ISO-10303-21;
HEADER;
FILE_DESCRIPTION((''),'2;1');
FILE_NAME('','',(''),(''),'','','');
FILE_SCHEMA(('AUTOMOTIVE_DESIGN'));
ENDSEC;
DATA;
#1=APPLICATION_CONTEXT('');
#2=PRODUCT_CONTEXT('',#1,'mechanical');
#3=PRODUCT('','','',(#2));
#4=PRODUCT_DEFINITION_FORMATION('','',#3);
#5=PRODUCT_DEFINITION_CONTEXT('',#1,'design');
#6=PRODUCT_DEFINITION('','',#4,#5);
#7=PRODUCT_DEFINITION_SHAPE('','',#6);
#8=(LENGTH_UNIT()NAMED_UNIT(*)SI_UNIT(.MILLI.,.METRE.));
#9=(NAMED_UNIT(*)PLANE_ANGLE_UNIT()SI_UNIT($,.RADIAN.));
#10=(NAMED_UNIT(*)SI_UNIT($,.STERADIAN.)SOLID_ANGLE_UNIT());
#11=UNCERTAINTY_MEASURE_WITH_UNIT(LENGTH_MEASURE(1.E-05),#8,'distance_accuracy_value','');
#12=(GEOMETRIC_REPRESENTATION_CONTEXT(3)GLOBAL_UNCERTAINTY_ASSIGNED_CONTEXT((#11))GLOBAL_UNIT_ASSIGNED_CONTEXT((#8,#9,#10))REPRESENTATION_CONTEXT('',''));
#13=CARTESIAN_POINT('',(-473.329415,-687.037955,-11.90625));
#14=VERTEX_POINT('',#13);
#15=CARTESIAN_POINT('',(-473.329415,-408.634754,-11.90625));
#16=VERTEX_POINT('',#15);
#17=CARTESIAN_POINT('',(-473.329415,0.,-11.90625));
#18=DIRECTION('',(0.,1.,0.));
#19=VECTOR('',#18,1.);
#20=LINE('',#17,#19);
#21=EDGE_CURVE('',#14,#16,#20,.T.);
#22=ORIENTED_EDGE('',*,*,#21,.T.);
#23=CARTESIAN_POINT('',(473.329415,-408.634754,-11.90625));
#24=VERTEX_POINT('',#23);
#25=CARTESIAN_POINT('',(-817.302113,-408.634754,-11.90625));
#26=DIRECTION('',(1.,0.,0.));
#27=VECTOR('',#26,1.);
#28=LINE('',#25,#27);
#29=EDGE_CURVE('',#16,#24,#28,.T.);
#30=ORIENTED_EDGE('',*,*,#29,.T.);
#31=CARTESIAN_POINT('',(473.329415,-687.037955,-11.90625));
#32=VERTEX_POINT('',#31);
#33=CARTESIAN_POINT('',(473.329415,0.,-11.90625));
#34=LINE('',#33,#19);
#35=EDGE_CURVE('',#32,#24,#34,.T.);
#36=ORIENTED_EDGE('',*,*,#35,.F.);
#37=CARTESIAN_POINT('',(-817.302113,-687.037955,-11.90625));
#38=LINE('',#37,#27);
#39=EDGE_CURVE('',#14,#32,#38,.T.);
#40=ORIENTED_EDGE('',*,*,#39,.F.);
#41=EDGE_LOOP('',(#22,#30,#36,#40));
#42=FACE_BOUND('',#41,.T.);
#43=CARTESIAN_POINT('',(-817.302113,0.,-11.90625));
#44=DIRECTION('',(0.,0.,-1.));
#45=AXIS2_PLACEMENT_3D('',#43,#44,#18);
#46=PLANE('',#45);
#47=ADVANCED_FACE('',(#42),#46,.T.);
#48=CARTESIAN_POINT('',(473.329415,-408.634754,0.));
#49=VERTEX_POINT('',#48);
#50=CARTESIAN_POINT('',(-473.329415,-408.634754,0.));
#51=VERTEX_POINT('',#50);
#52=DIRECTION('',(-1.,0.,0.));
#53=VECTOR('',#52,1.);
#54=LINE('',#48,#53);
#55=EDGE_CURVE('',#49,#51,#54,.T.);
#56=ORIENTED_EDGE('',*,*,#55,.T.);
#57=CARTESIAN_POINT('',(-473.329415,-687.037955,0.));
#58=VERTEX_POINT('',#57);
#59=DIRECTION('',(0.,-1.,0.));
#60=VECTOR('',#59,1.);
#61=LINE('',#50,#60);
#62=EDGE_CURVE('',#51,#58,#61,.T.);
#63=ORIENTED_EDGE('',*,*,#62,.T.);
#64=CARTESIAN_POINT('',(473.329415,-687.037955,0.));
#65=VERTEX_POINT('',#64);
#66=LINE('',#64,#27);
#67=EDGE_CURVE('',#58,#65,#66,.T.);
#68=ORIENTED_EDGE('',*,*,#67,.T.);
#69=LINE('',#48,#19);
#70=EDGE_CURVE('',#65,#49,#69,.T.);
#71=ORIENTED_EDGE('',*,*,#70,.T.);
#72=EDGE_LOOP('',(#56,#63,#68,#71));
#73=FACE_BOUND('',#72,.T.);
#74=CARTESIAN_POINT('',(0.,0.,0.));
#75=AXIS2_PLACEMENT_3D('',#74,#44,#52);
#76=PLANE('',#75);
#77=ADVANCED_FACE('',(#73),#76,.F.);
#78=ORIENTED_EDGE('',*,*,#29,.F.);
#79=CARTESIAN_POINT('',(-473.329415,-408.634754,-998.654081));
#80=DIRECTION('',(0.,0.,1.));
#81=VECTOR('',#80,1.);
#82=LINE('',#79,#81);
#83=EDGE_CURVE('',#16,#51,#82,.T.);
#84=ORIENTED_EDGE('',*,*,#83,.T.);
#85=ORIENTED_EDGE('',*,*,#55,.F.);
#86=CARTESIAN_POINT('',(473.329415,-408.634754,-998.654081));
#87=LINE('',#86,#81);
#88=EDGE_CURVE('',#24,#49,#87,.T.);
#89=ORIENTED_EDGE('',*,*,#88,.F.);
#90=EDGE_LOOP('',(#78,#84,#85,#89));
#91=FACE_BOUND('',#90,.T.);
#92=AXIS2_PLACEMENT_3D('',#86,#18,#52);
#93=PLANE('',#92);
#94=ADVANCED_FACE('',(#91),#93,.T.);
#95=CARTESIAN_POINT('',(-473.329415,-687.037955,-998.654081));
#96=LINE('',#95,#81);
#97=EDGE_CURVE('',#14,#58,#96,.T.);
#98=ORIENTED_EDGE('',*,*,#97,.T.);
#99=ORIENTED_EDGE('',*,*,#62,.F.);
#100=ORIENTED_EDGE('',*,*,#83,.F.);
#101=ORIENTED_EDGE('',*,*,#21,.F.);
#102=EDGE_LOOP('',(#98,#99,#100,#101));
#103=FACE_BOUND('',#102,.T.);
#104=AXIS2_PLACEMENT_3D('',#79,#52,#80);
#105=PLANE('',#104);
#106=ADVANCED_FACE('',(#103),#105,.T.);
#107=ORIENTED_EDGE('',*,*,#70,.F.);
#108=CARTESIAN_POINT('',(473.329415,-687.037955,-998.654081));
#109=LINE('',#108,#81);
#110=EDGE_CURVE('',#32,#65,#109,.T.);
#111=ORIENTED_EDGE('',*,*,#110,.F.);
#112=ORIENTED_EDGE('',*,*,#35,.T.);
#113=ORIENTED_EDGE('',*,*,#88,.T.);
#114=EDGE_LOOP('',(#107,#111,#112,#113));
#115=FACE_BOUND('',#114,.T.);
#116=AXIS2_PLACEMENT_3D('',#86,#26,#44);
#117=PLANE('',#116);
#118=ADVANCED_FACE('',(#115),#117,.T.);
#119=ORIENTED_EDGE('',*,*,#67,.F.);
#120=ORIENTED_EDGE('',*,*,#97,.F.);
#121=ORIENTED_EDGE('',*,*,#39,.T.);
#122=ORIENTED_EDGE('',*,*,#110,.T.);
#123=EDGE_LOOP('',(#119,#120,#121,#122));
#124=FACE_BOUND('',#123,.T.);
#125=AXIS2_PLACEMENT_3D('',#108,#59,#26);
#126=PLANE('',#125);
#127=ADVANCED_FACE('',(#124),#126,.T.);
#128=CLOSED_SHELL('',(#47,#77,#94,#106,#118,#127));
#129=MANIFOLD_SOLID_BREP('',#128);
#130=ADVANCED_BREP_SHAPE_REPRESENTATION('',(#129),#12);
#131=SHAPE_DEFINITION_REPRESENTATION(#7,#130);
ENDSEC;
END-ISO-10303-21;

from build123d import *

# Parameters (mm, degrees)
SKETCH1_W           = 946.658829024
SKETCH1_H           = 278.403201521
BOSS_EXTRUDE1_DEPTH = 11.90625


with BuildPart() as part:
    # Sketch1 → Boss-Extrude1 (new body)
    with BuildSketch(Plane.XY):
        with Locations((0, -547.836354616)):
            Rectangle(SKETCH1_W, SKETCH1_H)
    extrude(amount=-BOSS_EXTRUDE1_DEPTH)


solid = part.part
